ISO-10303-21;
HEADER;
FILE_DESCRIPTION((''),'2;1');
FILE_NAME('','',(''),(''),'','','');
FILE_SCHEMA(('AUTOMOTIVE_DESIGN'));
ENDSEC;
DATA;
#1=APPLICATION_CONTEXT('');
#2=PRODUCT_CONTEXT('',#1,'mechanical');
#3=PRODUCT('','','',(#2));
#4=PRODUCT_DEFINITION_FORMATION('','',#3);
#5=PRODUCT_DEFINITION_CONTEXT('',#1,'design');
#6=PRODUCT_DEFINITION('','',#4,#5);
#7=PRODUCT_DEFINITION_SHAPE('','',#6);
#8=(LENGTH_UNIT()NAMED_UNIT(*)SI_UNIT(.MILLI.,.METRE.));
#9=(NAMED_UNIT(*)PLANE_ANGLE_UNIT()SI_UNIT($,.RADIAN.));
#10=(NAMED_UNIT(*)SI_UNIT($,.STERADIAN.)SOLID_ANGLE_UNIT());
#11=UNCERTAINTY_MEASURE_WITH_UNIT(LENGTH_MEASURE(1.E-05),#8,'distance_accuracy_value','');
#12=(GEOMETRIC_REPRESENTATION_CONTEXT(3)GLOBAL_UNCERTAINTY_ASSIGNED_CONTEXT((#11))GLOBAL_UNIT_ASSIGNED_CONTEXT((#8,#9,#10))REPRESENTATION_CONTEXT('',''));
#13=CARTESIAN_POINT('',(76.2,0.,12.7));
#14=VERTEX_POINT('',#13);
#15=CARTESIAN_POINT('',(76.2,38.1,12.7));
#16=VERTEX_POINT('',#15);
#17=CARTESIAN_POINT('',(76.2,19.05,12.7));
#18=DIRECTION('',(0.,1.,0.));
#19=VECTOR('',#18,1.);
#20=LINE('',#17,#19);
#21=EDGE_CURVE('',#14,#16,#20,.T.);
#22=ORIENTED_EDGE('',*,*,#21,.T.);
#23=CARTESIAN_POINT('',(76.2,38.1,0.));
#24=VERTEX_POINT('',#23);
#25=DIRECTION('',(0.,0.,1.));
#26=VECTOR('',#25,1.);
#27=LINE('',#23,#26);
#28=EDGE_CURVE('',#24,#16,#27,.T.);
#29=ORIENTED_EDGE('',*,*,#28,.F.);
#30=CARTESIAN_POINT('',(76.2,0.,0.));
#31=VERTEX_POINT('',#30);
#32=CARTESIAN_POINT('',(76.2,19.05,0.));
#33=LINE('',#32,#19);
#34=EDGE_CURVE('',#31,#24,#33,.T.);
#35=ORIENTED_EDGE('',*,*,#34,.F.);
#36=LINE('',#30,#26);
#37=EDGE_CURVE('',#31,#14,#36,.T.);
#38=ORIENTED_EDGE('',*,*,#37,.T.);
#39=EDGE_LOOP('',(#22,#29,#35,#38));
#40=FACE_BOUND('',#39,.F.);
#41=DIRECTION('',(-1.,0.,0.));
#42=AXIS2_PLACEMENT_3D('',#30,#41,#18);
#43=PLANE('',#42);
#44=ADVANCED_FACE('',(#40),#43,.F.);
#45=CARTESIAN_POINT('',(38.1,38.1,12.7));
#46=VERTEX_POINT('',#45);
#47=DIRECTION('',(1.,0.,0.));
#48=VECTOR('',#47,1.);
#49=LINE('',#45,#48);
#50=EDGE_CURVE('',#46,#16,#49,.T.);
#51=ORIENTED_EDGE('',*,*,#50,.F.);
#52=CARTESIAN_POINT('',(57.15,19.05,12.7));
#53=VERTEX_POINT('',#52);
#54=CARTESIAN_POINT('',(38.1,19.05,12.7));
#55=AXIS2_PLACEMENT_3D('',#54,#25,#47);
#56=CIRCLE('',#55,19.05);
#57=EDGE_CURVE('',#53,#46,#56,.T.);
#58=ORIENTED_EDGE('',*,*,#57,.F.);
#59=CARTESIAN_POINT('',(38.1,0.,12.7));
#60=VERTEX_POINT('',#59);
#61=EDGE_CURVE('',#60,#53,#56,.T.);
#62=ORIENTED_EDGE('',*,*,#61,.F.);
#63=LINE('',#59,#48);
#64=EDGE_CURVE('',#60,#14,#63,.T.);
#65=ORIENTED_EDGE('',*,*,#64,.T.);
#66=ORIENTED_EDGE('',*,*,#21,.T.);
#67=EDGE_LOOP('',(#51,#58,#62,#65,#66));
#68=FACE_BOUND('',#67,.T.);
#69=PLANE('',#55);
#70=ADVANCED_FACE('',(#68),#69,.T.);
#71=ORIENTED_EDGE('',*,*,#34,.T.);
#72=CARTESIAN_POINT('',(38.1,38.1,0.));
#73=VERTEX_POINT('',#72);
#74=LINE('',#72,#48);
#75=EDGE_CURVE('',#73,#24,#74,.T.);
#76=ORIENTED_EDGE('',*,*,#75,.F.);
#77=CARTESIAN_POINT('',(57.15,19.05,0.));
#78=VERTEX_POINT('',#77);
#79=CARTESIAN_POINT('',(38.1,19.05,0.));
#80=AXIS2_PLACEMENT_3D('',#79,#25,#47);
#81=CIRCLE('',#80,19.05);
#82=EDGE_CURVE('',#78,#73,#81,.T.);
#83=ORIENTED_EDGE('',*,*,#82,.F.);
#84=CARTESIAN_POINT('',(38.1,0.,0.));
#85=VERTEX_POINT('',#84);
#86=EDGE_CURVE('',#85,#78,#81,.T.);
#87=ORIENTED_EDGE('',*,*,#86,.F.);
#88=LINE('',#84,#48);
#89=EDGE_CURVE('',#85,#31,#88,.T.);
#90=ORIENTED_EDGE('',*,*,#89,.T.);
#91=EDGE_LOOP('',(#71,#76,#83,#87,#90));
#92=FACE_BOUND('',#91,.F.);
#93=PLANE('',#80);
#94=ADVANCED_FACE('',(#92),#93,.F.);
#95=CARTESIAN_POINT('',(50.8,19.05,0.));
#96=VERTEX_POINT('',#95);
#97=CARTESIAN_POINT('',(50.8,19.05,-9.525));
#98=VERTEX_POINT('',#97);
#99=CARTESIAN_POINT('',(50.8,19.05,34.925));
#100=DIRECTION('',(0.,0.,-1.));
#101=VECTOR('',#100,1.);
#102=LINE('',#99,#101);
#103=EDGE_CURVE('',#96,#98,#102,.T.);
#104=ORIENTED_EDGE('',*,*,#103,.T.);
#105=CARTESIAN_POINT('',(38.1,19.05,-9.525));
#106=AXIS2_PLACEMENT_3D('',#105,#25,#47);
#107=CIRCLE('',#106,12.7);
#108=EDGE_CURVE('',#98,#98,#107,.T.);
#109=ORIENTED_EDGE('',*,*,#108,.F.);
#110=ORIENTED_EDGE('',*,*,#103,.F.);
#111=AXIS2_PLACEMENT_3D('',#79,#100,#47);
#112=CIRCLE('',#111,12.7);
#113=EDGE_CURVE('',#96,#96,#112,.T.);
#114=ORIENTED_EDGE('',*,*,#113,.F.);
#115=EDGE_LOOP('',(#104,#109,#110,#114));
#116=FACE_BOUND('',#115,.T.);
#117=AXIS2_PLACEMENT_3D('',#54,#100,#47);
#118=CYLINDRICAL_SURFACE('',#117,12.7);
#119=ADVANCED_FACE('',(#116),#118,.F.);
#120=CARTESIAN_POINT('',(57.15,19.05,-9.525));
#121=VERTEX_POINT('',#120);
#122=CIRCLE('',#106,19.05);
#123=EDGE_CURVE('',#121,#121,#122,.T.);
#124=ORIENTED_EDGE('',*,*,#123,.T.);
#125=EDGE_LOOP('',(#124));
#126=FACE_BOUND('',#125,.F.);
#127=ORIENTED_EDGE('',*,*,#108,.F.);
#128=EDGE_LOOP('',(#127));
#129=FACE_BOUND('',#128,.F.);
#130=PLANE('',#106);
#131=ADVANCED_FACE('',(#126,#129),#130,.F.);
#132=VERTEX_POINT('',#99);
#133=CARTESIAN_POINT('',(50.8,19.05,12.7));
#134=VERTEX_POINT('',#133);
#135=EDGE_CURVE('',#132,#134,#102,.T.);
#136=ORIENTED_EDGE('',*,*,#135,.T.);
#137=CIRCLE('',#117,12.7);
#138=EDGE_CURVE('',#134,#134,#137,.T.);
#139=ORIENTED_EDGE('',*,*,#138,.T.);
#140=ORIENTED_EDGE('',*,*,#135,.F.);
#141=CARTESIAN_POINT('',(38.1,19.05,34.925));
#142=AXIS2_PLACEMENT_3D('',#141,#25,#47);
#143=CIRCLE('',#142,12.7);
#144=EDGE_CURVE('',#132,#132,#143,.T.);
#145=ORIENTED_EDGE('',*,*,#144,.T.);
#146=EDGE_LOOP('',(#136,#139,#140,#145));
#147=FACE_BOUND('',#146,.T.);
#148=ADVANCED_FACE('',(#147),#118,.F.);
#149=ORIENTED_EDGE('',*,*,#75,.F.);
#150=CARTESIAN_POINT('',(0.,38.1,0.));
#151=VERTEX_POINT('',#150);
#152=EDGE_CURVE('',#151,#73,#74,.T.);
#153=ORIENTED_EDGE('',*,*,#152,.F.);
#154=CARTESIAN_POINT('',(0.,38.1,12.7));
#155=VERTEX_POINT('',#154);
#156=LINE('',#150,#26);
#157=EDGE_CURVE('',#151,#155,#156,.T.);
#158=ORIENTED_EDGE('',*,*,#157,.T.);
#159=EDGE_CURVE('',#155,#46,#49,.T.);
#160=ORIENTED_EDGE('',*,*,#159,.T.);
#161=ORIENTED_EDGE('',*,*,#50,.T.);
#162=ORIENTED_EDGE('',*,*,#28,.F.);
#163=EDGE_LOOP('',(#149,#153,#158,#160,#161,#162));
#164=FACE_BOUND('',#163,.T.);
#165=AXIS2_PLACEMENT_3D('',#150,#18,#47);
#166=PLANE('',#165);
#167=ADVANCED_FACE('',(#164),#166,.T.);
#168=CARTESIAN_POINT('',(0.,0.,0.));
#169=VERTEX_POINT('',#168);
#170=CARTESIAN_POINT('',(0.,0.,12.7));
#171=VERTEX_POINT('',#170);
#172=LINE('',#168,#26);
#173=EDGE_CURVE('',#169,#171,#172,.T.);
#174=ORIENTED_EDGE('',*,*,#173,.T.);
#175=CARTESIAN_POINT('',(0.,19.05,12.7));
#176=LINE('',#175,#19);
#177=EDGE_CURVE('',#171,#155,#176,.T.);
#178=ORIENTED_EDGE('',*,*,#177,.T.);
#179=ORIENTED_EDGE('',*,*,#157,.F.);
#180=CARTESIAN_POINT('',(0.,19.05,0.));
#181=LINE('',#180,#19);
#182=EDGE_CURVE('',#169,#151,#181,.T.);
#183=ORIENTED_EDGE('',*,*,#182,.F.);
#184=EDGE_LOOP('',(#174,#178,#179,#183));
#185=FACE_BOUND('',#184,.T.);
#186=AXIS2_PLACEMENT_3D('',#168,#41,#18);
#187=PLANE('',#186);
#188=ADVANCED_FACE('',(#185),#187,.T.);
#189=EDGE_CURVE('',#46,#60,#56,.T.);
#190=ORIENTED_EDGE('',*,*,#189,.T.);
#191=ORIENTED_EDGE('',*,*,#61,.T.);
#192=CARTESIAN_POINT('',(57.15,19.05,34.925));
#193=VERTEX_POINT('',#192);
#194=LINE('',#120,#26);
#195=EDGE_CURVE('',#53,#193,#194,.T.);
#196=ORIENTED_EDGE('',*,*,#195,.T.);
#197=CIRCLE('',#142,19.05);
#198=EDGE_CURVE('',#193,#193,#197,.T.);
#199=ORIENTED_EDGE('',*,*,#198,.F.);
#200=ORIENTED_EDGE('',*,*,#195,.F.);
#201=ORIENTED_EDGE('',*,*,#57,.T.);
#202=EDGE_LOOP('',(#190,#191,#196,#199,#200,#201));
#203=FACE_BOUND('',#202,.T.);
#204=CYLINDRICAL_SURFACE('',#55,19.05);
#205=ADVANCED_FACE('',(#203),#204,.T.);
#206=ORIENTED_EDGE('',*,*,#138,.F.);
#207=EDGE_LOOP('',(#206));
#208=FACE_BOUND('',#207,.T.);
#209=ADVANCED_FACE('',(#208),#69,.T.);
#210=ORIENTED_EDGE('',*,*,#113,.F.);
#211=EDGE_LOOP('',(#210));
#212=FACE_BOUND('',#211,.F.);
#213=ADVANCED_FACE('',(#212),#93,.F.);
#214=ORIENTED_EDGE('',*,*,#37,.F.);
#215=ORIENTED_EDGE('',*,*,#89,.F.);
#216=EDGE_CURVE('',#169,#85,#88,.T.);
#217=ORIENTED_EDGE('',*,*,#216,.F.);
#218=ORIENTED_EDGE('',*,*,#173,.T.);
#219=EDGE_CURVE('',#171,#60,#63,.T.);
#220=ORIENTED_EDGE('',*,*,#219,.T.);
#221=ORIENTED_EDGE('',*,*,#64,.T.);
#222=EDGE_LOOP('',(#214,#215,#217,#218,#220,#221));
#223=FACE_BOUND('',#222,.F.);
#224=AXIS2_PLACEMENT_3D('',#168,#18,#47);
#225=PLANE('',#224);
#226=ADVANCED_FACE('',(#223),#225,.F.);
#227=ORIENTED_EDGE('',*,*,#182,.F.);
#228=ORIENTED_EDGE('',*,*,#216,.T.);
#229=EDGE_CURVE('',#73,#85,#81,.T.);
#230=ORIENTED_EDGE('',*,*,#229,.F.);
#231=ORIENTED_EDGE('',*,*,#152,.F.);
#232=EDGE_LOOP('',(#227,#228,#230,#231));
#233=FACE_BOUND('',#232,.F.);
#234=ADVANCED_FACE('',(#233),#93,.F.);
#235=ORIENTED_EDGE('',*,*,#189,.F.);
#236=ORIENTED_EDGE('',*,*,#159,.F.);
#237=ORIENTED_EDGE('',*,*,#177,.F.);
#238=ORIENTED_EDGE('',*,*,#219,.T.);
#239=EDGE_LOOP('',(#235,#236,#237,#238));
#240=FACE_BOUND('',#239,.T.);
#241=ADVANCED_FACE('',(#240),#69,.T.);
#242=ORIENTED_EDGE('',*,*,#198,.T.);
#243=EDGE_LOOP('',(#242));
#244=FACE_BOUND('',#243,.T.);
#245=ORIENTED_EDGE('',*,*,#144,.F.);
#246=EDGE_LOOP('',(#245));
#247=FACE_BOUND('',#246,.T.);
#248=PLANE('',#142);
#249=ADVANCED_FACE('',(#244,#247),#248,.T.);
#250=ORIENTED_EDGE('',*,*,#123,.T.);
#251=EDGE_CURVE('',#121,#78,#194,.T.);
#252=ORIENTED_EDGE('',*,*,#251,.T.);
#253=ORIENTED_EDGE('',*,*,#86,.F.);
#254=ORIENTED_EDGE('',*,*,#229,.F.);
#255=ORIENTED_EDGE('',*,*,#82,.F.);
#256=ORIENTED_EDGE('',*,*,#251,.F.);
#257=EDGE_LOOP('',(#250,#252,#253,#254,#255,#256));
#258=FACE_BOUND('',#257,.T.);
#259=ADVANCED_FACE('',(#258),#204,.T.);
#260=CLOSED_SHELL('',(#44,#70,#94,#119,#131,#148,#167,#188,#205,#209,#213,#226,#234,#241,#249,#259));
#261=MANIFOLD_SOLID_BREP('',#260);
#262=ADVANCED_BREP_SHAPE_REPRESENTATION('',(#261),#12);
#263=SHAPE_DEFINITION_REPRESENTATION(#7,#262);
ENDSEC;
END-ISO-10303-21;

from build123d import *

# Parameters (mm, degrees)
F0_W     = 76.2
F0_H     = 38.1
F1_DEPTH = 12.7
F2_R     = 19.05
F2_R_2   = 12.7
F3_DEPTH = 22.225


with BuildPart() as f1:
    # F0 (on Top) → F1 (new body)
    with BuildSketch(Plane.XY):
        with Locations((38.1, 19.05)):
            Rectangle(F0_W, F0_H)
    extrude(amount=F1_DEPTH)

    # F2 (on face) → F3 (join, symmetric)
    with BuildSketch(Plane.XY.offset(12.7)):
        with Locations((38.1, 19.05)):
            Circle(F2_R)
        with Locations((38.1, 19.05)):
            Circle(F2_R_2, mode=Mode.SUBTRACT)
    extrude(amount=F3_DEPTH, both=True)


solid = f1.part
